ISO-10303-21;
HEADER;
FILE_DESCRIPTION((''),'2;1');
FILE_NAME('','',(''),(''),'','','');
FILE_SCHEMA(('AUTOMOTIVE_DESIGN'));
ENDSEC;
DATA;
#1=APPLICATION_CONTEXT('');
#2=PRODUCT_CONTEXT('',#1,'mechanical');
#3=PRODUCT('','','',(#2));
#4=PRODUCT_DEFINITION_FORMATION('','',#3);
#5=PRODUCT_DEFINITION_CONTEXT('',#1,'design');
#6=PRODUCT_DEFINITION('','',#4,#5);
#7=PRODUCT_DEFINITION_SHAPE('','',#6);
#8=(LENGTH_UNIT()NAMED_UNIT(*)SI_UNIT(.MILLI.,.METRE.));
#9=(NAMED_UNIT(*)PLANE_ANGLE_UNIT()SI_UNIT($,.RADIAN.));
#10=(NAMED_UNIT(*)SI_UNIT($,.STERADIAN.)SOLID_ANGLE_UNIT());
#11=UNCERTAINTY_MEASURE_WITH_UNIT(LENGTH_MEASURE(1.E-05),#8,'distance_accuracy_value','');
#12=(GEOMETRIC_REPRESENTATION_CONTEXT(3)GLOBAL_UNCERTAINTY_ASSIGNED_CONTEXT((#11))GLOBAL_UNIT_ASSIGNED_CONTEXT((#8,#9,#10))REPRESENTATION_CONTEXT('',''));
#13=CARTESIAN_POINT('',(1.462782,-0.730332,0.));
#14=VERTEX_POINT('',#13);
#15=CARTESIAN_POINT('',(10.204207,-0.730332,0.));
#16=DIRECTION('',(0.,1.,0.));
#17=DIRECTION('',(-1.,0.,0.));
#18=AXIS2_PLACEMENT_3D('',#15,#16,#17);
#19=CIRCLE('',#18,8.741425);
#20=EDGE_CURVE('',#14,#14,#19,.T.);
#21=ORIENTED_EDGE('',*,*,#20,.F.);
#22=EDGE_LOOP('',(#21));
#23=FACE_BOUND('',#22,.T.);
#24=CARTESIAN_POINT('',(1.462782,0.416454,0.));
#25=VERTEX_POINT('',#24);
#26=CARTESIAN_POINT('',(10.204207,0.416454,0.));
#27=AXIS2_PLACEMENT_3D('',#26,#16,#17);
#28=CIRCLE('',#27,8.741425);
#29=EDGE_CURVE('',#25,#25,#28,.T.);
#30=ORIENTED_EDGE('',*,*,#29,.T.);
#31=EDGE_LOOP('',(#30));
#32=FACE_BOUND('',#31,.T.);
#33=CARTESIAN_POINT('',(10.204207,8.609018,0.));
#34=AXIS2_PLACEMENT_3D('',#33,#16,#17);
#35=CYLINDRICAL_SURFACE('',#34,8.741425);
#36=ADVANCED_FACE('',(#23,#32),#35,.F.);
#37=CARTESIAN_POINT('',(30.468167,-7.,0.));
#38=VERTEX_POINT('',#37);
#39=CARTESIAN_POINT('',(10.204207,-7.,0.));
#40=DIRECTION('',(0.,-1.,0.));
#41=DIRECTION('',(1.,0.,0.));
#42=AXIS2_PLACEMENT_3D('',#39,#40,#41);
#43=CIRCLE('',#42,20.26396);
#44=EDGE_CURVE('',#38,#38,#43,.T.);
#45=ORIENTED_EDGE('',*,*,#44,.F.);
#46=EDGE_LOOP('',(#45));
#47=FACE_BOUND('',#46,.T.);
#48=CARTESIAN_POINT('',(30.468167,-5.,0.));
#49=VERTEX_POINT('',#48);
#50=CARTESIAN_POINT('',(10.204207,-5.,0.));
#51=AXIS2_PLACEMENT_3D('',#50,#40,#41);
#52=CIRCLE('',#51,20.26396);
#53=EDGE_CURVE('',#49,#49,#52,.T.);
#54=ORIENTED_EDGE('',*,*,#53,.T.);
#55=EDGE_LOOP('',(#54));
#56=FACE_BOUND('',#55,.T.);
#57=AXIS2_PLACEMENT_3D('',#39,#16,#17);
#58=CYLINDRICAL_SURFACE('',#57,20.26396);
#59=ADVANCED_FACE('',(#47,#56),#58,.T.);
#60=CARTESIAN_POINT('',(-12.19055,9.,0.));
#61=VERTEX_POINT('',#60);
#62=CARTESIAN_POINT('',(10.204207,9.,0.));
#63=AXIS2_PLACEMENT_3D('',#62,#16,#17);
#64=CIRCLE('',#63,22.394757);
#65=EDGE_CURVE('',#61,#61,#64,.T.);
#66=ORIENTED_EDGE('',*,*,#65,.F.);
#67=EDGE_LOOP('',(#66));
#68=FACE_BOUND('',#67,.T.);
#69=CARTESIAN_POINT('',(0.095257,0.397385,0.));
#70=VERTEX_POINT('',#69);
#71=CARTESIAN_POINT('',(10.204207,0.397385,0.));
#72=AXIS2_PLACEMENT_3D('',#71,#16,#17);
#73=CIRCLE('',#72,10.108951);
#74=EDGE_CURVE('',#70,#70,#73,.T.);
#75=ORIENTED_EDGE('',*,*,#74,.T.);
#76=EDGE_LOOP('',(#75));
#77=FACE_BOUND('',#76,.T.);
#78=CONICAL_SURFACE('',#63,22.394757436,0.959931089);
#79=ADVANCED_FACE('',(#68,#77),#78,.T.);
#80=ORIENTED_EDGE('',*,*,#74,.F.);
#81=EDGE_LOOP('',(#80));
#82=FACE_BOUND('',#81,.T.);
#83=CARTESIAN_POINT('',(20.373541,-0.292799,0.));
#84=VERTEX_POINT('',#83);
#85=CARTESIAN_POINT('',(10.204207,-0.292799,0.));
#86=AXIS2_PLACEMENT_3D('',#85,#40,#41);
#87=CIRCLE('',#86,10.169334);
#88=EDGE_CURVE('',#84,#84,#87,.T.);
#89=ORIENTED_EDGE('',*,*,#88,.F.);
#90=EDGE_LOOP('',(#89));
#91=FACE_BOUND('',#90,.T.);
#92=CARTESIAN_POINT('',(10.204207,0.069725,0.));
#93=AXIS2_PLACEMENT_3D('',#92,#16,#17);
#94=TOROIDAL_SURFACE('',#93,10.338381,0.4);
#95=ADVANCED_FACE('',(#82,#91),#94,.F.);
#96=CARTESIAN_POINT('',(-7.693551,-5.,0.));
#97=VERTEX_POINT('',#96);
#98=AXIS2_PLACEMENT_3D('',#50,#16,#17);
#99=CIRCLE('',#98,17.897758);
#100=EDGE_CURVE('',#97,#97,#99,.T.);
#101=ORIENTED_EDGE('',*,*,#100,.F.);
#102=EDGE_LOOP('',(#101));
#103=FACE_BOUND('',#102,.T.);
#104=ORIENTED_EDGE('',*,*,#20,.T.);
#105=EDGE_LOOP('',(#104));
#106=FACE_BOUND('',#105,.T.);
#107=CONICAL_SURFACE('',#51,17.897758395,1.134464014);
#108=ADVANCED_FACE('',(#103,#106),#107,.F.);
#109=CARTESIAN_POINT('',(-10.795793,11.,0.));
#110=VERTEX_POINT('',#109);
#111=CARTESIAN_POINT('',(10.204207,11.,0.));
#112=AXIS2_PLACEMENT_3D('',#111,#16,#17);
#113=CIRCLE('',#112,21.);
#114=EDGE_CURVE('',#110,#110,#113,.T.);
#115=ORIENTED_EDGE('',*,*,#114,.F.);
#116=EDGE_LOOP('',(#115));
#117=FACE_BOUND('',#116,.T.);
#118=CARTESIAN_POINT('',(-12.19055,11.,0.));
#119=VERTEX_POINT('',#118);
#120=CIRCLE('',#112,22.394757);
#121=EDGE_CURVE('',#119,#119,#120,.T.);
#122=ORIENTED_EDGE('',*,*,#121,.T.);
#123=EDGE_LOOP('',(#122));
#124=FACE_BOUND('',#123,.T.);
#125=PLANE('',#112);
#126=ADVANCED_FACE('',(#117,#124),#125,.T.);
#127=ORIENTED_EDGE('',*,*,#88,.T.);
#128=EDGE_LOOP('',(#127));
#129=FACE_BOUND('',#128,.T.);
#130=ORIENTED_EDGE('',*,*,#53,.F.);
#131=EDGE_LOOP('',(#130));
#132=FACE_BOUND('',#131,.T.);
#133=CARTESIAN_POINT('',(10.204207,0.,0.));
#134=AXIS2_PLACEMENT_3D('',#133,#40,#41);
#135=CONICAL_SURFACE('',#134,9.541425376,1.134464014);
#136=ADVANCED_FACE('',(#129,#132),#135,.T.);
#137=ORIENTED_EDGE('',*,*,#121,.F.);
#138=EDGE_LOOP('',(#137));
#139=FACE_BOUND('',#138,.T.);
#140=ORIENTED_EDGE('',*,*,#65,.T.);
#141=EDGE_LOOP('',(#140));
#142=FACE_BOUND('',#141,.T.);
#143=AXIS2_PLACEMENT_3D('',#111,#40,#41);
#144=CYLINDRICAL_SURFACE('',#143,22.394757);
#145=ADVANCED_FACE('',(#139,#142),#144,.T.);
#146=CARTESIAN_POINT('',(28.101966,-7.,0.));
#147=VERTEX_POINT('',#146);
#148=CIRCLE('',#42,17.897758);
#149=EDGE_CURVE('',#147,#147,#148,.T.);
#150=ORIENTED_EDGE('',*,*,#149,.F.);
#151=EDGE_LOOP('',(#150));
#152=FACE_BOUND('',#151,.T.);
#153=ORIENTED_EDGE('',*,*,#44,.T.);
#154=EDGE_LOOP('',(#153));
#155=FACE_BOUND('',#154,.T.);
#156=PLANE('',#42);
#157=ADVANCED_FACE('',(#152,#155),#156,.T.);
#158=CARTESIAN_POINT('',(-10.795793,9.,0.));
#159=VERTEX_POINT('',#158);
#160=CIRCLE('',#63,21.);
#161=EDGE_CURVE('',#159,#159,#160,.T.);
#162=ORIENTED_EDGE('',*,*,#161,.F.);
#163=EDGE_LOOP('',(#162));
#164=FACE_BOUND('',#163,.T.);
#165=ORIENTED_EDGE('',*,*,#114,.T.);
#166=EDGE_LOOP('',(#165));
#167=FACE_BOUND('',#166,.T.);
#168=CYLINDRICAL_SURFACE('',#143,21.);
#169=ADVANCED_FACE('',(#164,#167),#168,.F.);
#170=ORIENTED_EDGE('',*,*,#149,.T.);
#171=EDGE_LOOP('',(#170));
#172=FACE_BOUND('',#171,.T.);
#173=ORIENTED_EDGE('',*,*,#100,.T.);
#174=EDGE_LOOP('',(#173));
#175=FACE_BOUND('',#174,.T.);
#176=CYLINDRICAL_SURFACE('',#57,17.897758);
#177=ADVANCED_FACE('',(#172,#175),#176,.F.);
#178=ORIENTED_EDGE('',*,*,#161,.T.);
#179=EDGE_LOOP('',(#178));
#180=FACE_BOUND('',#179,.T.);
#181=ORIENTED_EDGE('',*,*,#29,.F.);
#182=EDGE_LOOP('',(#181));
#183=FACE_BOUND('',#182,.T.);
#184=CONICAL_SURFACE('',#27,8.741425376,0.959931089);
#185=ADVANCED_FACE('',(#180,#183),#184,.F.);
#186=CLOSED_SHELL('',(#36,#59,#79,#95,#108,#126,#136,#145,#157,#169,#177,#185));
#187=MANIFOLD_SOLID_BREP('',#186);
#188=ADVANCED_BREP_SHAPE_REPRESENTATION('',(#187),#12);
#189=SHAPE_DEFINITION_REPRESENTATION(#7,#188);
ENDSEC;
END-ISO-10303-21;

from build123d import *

# Parameters (mm, degrees)
FILLET2_R           = 0.4
SKETCH2_R           = 22.394757436
SKETCH2_R_2         = 21
BOSS_EXTRUDE1_DEPTH = 2
SKETCH3_R           = 20.263959978
SKETCH3_R_2         = 17.897758395
BOSS_EXTRUDE2_DEPTH = 2


with BuildPart() as part:
    # Sketch1 → Revolve1 (revolve)
    with BuildSketch(Plane.XY):
        Polygon((0.662781953, 0), (-12.190550108, 9), (-10.795792672, 9), (1.462781953, 0.41645364), (1.462781953, -0.730331792), (-7.693551067, -5), (-10.05975265, -5), align=None)
    revolve(axis=Axis((10.204207328, 8.609018033, 0), (0, -1, 0)))

    # Fillet2
    fillet2_edges = [part.edges().sort_by_distance(p)[0] for p in [
        (19.745632704, 0, 0),
    ]]
    fillet(fillet2_edges, radius=FILLET2_R)

    # Sketch2 → Boss-Extrude1 (add)
    with BuildSketch(Plane(origin=(0, 9, 0), x_dir=(1, 0, 0), z_dir=(0, 1, 0))):
        with Locations(Location((10.204207328, 0, 0), (0, 0, 180))):
            Circle(SKETCH2_R)
        with Locations(Location((10.204207328, 0, 0), (0, 0, 180))):
            Circle(SKETCH2_R_2, mode=Mode.SUBTRACT)
    extrude(amount=BOSS_EXTRUDE1_DEPTH)

    # Sketch3 → Boss-Extrude2 (add)
    with BuildSketch(Plane.XZ.offset(5)):
        with Locations((10.204207328, 0)):
            Circle(SKETCH3_R)
        with Locations(Location((10.204207328, 0, 0), (0, 0, 180))):
            Circle(SKETCH3_R_2, mode=Mode.SUBTRACT)
    extrude(amount=BOSS_EXTRUDE2_DEPTH)


solid = part.part
